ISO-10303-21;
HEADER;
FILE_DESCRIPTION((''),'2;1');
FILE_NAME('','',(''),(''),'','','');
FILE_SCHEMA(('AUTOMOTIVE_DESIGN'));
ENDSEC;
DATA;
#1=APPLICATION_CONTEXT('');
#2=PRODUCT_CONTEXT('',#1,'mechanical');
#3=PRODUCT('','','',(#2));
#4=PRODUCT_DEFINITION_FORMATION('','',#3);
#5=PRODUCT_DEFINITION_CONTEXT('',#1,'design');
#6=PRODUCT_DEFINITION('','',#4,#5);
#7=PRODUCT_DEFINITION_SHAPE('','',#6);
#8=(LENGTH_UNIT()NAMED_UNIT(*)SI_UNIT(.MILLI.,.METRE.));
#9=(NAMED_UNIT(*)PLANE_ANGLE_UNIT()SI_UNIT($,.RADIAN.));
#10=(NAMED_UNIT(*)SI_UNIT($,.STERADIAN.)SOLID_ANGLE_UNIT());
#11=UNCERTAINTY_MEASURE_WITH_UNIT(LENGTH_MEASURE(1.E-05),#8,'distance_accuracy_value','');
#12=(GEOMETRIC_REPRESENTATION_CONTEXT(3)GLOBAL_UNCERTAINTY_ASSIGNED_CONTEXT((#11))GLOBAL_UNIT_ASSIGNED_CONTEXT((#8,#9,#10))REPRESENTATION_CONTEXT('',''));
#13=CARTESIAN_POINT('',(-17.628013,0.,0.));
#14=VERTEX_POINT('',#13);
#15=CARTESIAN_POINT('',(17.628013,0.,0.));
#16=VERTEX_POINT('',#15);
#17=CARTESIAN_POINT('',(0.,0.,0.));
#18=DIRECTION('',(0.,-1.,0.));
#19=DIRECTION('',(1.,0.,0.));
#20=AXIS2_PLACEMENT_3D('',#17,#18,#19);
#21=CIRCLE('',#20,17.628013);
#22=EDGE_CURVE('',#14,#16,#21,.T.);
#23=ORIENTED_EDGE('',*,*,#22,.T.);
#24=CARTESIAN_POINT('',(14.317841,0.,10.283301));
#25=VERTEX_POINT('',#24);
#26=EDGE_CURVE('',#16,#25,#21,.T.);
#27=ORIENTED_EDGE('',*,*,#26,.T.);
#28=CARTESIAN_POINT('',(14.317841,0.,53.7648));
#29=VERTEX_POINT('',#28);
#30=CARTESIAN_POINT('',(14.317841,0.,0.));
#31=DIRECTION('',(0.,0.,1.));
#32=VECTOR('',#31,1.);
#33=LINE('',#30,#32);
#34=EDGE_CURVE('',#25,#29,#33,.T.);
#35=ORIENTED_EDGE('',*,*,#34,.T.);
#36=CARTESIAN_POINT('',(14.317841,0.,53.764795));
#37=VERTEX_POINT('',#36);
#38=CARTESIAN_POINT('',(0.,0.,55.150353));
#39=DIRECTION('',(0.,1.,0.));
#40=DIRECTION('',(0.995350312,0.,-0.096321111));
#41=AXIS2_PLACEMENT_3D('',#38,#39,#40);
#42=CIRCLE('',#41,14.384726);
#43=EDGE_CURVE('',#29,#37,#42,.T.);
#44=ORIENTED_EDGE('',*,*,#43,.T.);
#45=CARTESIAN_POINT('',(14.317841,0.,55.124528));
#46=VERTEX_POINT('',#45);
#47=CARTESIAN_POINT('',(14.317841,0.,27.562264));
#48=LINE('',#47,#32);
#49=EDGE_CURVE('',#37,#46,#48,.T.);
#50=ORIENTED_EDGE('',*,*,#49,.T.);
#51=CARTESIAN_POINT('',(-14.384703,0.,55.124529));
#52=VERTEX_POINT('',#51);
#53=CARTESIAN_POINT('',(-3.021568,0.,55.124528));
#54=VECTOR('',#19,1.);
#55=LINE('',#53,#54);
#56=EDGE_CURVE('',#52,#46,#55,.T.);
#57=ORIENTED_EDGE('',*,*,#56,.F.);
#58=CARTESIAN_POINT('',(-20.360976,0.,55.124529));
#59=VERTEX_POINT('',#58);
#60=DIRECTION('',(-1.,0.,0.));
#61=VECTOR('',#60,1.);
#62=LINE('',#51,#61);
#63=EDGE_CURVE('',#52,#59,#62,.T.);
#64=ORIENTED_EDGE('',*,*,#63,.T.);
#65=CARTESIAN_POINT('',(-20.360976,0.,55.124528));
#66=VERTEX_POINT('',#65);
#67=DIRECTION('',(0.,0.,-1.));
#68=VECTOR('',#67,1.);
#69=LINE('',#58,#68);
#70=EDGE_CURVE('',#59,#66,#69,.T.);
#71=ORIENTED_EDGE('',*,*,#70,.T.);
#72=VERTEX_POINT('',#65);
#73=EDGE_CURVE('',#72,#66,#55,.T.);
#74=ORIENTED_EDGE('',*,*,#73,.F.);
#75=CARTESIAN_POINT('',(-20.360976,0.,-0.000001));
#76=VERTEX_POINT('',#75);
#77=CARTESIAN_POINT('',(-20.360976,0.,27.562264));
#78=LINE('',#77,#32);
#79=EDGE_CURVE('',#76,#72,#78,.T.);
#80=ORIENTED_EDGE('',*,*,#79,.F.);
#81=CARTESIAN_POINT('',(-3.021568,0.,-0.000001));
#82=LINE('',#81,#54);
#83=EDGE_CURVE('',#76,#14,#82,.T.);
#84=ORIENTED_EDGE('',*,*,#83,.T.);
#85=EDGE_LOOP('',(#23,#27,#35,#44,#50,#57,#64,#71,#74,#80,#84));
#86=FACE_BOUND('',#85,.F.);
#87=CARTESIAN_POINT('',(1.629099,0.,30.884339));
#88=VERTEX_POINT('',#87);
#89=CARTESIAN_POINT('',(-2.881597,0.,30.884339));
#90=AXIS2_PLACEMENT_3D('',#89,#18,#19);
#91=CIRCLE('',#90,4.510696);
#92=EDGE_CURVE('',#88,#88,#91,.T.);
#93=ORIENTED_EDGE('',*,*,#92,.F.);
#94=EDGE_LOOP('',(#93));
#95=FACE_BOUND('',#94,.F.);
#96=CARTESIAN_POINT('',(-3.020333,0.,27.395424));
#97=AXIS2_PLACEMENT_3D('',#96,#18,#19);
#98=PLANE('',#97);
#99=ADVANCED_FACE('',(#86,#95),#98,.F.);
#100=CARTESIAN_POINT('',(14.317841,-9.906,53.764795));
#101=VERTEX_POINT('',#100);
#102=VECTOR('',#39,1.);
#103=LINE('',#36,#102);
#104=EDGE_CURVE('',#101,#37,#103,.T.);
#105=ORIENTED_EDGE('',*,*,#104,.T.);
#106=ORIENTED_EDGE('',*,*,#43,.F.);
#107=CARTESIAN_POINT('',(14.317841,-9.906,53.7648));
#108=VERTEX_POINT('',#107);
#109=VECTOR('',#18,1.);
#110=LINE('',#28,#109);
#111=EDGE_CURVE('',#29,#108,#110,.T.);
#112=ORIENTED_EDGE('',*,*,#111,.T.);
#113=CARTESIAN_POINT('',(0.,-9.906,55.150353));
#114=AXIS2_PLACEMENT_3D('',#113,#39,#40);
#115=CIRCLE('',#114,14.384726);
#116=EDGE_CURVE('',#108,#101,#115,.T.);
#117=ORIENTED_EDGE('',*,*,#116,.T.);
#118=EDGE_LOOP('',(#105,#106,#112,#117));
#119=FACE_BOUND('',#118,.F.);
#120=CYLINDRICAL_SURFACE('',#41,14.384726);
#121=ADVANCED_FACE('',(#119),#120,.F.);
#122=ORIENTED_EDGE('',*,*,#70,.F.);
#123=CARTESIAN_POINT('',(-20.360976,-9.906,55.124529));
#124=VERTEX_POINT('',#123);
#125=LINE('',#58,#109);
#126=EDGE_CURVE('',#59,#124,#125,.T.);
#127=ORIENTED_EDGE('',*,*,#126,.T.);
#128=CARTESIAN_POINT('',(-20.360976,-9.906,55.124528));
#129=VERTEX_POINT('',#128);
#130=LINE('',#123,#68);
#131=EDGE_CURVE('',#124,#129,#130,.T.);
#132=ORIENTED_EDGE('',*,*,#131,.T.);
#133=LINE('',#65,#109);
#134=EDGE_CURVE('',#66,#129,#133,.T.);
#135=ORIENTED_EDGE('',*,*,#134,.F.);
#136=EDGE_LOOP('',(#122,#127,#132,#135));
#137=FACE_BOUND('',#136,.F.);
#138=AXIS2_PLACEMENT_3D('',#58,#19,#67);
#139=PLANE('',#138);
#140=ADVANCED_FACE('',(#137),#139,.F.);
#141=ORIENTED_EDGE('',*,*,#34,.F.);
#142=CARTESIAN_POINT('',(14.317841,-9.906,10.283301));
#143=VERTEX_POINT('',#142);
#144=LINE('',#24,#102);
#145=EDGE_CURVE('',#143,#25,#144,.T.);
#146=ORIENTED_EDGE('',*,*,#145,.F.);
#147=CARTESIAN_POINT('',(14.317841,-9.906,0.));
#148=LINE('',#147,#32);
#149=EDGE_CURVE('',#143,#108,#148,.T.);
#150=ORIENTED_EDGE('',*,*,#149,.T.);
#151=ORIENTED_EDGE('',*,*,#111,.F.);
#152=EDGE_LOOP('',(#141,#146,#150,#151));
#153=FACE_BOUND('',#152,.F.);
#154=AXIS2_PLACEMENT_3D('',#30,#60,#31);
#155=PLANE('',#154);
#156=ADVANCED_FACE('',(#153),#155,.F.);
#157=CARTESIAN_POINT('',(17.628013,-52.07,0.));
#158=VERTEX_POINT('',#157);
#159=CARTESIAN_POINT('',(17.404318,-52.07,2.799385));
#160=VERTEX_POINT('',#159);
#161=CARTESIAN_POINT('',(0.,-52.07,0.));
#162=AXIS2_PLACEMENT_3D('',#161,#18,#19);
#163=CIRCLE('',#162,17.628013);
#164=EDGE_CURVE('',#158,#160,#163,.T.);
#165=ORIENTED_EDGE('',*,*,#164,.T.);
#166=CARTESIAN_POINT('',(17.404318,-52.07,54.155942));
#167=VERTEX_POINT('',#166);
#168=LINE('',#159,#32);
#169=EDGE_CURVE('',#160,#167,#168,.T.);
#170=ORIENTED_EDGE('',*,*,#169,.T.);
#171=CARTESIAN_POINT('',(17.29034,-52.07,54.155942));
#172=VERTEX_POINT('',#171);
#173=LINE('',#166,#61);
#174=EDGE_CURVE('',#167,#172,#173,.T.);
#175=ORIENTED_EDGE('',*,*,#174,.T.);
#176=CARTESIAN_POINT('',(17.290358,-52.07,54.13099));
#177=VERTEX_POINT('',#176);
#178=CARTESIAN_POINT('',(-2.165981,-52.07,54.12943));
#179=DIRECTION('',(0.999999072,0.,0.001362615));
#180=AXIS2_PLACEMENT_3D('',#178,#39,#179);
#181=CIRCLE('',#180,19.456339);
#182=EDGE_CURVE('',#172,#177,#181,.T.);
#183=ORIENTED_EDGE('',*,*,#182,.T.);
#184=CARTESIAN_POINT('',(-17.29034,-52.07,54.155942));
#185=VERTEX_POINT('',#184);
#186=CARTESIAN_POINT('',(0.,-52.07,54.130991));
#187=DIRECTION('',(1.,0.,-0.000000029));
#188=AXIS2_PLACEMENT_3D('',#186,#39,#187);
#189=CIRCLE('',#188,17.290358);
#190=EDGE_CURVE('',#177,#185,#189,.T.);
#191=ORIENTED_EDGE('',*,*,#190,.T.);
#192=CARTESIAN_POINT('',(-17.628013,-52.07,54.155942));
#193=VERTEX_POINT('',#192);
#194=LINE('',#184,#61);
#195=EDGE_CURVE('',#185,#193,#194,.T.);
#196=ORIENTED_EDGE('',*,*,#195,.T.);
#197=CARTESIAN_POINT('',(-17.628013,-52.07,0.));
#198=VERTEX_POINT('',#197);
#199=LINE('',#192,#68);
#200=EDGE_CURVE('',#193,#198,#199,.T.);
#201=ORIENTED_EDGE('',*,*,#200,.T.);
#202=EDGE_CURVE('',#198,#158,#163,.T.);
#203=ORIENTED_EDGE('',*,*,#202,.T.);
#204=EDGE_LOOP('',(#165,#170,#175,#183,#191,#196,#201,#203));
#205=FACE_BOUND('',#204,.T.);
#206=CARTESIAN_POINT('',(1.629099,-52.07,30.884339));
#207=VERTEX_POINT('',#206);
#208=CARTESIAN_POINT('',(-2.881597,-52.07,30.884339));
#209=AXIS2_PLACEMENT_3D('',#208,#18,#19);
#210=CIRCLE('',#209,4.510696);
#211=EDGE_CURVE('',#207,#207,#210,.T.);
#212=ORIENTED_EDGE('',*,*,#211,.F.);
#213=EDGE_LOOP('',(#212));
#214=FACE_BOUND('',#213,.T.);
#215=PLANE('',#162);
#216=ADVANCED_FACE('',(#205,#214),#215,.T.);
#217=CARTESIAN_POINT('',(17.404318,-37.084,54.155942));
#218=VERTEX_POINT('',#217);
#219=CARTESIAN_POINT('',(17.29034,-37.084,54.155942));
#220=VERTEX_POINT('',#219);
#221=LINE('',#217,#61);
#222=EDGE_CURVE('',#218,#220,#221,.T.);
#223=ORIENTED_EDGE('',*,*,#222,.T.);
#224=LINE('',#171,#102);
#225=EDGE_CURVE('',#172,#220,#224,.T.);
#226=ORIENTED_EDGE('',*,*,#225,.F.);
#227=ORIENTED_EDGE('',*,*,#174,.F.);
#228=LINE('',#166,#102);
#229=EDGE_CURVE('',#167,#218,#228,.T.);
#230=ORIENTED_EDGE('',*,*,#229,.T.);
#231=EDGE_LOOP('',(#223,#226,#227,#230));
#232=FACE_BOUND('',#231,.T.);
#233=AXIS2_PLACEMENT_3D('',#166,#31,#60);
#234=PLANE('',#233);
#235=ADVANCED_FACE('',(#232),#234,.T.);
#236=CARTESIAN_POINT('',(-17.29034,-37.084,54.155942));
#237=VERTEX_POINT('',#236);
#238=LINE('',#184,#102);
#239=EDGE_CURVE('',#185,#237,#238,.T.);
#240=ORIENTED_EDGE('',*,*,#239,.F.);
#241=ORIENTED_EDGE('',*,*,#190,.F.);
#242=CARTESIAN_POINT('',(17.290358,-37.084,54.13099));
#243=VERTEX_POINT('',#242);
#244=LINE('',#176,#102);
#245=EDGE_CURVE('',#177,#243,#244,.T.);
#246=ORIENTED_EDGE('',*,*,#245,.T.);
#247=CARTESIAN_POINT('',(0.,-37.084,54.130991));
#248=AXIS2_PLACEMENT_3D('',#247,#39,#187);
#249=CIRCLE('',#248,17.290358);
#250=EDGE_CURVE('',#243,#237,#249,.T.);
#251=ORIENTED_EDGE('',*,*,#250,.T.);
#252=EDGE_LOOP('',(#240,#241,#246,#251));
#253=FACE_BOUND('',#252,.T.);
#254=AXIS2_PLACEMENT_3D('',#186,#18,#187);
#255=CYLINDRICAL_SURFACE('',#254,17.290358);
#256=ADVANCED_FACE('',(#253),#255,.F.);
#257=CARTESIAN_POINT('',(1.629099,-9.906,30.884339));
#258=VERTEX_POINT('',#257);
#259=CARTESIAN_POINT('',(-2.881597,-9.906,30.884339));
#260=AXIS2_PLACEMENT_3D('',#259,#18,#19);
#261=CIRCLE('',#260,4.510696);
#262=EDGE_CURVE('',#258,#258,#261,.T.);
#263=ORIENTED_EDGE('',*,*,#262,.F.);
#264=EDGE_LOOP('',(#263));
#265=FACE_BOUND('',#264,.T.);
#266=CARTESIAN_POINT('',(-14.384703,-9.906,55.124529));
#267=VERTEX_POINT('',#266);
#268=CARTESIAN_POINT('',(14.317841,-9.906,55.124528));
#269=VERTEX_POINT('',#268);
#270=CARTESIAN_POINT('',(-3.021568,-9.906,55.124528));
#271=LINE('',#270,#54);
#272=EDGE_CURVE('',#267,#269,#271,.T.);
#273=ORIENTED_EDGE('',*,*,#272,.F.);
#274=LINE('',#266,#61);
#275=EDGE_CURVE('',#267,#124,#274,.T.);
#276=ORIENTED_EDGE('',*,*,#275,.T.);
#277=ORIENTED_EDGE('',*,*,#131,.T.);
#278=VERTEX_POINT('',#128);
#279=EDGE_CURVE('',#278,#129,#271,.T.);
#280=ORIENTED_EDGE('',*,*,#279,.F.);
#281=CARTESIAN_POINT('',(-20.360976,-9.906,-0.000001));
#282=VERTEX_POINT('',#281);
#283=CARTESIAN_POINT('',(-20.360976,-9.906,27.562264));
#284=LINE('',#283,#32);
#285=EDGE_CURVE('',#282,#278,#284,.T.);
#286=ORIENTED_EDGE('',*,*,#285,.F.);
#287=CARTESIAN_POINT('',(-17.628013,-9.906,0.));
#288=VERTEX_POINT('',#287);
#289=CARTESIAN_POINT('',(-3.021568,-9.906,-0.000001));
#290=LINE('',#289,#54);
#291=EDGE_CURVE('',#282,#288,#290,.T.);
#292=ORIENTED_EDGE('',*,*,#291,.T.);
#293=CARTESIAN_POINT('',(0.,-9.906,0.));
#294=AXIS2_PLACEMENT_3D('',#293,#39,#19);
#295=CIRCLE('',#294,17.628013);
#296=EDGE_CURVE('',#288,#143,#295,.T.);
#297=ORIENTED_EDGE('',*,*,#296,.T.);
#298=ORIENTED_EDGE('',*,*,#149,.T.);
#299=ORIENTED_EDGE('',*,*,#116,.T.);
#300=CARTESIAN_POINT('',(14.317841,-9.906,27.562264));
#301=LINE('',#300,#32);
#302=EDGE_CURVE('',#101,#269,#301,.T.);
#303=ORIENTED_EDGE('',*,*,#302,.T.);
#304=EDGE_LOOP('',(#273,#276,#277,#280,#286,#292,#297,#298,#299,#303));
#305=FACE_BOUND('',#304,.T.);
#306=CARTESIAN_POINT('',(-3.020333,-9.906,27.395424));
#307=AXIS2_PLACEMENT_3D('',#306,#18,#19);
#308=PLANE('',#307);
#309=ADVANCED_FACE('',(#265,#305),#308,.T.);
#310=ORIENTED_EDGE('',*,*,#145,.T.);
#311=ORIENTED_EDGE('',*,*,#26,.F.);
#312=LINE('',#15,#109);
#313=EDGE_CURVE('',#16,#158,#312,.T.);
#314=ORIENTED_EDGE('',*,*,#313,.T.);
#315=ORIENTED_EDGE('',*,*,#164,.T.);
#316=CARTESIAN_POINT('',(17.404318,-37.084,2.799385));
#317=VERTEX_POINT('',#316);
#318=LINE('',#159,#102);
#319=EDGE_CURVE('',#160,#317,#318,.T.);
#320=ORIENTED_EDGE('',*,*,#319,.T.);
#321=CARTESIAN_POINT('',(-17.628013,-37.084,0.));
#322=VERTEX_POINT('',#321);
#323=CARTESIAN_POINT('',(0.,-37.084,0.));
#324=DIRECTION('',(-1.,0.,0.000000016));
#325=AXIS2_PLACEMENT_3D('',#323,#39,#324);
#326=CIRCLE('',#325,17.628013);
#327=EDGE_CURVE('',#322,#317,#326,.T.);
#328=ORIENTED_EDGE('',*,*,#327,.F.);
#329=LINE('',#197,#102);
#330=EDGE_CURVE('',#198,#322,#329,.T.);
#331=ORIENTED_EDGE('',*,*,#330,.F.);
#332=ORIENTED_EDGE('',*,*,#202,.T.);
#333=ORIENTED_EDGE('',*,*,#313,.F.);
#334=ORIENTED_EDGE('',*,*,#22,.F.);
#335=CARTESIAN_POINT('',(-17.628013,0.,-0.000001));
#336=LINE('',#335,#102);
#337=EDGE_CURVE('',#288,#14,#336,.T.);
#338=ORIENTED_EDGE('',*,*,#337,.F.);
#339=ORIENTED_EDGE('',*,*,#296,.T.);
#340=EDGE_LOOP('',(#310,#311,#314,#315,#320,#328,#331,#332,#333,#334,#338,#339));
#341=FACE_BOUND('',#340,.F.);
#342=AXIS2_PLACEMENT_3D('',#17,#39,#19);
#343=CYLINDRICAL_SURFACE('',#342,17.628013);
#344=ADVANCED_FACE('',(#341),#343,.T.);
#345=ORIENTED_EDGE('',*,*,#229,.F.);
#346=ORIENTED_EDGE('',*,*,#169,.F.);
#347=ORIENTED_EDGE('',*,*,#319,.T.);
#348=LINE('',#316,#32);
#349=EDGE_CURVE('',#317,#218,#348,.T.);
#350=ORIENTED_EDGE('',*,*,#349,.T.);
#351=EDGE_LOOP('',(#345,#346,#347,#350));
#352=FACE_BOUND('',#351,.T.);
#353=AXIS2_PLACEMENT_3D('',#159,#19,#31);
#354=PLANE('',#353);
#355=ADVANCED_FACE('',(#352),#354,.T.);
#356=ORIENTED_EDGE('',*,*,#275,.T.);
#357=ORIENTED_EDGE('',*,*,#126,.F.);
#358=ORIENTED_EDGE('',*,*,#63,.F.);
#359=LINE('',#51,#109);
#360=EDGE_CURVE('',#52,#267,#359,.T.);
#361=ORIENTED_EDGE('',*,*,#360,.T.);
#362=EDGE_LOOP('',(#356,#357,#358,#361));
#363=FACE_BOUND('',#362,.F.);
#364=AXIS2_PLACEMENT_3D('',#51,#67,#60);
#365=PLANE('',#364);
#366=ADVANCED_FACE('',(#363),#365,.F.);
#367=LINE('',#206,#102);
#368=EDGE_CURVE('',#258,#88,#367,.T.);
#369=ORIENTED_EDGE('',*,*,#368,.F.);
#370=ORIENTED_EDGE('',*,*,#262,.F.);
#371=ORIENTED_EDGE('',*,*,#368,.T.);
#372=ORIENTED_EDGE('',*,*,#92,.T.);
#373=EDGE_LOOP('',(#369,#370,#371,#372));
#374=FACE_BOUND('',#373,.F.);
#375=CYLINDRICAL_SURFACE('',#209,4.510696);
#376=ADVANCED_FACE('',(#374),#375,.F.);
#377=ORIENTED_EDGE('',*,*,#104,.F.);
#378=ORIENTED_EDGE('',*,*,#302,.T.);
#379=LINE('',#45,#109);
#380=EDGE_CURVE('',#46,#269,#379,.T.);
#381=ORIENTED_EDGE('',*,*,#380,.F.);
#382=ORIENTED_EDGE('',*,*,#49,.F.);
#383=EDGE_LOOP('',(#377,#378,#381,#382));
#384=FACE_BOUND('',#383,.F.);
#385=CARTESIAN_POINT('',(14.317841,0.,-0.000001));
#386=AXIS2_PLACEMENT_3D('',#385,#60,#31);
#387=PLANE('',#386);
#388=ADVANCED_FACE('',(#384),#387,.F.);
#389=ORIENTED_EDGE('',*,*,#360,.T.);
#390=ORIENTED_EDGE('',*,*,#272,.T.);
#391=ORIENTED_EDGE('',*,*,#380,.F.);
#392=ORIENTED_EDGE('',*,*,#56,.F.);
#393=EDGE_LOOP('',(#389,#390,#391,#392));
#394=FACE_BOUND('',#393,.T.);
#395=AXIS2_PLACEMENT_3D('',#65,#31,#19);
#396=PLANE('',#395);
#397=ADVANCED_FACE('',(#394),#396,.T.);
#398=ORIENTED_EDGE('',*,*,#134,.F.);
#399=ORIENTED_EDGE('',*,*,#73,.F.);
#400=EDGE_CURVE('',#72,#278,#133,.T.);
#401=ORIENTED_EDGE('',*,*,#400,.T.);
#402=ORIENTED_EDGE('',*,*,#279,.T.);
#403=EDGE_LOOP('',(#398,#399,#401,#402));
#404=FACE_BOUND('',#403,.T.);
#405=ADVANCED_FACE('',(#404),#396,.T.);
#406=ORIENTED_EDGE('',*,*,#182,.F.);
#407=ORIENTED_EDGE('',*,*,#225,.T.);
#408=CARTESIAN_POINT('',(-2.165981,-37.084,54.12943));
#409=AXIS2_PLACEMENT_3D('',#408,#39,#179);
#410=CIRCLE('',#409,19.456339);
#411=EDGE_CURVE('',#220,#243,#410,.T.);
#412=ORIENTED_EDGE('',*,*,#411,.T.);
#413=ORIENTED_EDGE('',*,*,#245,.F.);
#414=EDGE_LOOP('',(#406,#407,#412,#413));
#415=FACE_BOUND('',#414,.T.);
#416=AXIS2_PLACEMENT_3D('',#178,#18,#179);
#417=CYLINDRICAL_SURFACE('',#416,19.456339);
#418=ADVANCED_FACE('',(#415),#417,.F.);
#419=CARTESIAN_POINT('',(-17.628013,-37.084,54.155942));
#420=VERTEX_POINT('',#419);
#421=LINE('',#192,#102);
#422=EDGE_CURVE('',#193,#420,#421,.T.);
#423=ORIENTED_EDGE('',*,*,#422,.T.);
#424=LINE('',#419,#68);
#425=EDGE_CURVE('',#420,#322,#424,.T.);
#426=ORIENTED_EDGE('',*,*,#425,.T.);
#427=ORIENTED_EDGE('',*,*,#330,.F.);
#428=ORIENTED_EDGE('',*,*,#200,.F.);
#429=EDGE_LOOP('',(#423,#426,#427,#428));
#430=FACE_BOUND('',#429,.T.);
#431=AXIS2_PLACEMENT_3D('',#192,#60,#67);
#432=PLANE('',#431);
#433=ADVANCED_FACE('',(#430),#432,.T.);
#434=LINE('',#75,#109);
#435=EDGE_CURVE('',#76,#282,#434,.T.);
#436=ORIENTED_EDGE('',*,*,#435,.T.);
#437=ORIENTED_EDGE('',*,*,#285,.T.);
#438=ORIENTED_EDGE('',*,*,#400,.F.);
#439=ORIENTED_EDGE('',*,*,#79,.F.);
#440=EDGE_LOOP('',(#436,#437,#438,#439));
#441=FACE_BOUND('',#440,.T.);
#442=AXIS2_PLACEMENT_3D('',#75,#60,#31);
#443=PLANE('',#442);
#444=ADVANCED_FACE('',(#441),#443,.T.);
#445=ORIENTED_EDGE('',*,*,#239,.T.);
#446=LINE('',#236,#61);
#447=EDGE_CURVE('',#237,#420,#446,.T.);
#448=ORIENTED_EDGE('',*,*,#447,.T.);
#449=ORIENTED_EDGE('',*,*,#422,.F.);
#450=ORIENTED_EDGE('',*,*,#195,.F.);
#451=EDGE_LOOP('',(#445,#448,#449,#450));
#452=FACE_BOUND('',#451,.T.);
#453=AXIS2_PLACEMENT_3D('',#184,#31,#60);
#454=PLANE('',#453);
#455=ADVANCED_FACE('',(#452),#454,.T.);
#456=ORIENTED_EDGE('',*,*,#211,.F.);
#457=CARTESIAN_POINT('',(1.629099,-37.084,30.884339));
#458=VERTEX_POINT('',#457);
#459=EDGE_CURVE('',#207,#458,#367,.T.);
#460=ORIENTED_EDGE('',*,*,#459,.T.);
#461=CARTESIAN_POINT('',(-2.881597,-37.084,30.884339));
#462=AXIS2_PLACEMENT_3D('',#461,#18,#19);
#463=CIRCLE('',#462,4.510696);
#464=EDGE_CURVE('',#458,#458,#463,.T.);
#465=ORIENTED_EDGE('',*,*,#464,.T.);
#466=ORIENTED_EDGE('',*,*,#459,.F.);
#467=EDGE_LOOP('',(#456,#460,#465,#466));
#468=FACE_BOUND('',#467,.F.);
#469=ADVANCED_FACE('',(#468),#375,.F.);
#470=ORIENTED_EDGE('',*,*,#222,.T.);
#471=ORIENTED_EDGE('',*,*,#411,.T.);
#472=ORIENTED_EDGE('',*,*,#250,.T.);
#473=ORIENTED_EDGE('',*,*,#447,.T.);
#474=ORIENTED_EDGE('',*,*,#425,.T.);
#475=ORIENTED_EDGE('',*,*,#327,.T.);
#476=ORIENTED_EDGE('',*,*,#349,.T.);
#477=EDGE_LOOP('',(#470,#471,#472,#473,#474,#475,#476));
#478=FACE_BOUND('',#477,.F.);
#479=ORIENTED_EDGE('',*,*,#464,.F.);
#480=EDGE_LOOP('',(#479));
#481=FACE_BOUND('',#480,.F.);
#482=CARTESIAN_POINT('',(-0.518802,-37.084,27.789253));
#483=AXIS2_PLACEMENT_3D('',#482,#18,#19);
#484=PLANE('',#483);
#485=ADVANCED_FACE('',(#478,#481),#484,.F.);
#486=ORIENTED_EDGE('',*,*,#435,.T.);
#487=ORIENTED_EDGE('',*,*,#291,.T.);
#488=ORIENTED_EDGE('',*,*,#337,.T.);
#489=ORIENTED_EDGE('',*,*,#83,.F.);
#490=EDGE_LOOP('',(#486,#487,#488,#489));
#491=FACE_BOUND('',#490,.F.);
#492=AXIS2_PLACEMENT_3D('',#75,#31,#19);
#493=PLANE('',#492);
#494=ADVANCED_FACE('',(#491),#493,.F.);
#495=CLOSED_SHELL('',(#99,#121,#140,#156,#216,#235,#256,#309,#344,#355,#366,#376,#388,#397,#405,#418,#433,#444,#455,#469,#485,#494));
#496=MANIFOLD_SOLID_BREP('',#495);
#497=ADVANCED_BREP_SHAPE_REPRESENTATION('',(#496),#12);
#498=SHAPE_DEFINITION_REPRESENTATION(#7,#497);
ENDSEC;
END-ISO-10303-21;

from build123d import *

# Parameters (mm, degrees)
F0_R     = 17.628013
F1_DEPTH = 52.07
F6_DEPTH = 14.986
F2_W     = 34.678817
F2_H     = 55.124529
F7_DEPTH = 9.906
F8_R     = 4.510696
F9_DEPTH = 2514.6


with BuildPart() as f1:
    # F0 (on Front) → F1 (new body)
    with BuildSketch(Plane.XZ):
        Circle(F0_R)
    extrude(amount=F1_DEPTH)

    # F4 (on face) → F6 (join)
    with BuildSketch(Plane.XZ.offset(52.07)):
        with BuildLine():
            ThreePointArc((17.29034, 54.155942), (17.290353, 54.143466), (17.290358, 54.13099))
            ThreePointArc((17.290358, 54.13099), (-0.012476, 36.840637), (-17.29034, 54.155942))
            Line((-17.29034, 54.155942), (-17.628013, 54.155942))
            Line((-17.628013, 54.155942), (-17.628013, 0))
            ThreePointArc((-17.628013, 0), (-1.404154, 17.572), (17.404318, 2.799385))
            Line((17.404318, 2.799385), (17.404318, 54.155942))
            Line((17.404318, 54.155942), (17.29034, 54.155942))
        make_face()
    extrude(amount=-F6_DEPTH)

    # F5 (on face) + F2 (on Front) → F7 (join)
    with BuildSketch(Plane.XZ):
        with BuildLine():
            ThreePointArc((14.317841, 53.7648), (-0.680686, 40.781741), (-14.384703, 55.124529))
            Line((-14.384703, 55.124529), (-20.360976, 55.124529))
            Line((-20.360976, 55.124529), (-20.360976, 0))
            Line((-20.360976, 0), (14.317841, 0))
            Line((14.317841, 0), (14.317841, 53.7648))
        make_face()
    with BuildSketch(Plane.XZ):
        with Locations((-3.021568, 27.562264)):
            Rectangle(F2_W, F2_H)
    extrude(amount=F7_DEPTH)

    # F8 (on face) → F9 (cut)
    with BuildSketch(Plane.XZ.offset(52.07)):
        with Locations((-2.881597, 30.884339)):
            Circle(F8_R)
    extrude(amount=-F9_DEPTH, mode=Mode.SUBTRACT)


solid = f1.part
